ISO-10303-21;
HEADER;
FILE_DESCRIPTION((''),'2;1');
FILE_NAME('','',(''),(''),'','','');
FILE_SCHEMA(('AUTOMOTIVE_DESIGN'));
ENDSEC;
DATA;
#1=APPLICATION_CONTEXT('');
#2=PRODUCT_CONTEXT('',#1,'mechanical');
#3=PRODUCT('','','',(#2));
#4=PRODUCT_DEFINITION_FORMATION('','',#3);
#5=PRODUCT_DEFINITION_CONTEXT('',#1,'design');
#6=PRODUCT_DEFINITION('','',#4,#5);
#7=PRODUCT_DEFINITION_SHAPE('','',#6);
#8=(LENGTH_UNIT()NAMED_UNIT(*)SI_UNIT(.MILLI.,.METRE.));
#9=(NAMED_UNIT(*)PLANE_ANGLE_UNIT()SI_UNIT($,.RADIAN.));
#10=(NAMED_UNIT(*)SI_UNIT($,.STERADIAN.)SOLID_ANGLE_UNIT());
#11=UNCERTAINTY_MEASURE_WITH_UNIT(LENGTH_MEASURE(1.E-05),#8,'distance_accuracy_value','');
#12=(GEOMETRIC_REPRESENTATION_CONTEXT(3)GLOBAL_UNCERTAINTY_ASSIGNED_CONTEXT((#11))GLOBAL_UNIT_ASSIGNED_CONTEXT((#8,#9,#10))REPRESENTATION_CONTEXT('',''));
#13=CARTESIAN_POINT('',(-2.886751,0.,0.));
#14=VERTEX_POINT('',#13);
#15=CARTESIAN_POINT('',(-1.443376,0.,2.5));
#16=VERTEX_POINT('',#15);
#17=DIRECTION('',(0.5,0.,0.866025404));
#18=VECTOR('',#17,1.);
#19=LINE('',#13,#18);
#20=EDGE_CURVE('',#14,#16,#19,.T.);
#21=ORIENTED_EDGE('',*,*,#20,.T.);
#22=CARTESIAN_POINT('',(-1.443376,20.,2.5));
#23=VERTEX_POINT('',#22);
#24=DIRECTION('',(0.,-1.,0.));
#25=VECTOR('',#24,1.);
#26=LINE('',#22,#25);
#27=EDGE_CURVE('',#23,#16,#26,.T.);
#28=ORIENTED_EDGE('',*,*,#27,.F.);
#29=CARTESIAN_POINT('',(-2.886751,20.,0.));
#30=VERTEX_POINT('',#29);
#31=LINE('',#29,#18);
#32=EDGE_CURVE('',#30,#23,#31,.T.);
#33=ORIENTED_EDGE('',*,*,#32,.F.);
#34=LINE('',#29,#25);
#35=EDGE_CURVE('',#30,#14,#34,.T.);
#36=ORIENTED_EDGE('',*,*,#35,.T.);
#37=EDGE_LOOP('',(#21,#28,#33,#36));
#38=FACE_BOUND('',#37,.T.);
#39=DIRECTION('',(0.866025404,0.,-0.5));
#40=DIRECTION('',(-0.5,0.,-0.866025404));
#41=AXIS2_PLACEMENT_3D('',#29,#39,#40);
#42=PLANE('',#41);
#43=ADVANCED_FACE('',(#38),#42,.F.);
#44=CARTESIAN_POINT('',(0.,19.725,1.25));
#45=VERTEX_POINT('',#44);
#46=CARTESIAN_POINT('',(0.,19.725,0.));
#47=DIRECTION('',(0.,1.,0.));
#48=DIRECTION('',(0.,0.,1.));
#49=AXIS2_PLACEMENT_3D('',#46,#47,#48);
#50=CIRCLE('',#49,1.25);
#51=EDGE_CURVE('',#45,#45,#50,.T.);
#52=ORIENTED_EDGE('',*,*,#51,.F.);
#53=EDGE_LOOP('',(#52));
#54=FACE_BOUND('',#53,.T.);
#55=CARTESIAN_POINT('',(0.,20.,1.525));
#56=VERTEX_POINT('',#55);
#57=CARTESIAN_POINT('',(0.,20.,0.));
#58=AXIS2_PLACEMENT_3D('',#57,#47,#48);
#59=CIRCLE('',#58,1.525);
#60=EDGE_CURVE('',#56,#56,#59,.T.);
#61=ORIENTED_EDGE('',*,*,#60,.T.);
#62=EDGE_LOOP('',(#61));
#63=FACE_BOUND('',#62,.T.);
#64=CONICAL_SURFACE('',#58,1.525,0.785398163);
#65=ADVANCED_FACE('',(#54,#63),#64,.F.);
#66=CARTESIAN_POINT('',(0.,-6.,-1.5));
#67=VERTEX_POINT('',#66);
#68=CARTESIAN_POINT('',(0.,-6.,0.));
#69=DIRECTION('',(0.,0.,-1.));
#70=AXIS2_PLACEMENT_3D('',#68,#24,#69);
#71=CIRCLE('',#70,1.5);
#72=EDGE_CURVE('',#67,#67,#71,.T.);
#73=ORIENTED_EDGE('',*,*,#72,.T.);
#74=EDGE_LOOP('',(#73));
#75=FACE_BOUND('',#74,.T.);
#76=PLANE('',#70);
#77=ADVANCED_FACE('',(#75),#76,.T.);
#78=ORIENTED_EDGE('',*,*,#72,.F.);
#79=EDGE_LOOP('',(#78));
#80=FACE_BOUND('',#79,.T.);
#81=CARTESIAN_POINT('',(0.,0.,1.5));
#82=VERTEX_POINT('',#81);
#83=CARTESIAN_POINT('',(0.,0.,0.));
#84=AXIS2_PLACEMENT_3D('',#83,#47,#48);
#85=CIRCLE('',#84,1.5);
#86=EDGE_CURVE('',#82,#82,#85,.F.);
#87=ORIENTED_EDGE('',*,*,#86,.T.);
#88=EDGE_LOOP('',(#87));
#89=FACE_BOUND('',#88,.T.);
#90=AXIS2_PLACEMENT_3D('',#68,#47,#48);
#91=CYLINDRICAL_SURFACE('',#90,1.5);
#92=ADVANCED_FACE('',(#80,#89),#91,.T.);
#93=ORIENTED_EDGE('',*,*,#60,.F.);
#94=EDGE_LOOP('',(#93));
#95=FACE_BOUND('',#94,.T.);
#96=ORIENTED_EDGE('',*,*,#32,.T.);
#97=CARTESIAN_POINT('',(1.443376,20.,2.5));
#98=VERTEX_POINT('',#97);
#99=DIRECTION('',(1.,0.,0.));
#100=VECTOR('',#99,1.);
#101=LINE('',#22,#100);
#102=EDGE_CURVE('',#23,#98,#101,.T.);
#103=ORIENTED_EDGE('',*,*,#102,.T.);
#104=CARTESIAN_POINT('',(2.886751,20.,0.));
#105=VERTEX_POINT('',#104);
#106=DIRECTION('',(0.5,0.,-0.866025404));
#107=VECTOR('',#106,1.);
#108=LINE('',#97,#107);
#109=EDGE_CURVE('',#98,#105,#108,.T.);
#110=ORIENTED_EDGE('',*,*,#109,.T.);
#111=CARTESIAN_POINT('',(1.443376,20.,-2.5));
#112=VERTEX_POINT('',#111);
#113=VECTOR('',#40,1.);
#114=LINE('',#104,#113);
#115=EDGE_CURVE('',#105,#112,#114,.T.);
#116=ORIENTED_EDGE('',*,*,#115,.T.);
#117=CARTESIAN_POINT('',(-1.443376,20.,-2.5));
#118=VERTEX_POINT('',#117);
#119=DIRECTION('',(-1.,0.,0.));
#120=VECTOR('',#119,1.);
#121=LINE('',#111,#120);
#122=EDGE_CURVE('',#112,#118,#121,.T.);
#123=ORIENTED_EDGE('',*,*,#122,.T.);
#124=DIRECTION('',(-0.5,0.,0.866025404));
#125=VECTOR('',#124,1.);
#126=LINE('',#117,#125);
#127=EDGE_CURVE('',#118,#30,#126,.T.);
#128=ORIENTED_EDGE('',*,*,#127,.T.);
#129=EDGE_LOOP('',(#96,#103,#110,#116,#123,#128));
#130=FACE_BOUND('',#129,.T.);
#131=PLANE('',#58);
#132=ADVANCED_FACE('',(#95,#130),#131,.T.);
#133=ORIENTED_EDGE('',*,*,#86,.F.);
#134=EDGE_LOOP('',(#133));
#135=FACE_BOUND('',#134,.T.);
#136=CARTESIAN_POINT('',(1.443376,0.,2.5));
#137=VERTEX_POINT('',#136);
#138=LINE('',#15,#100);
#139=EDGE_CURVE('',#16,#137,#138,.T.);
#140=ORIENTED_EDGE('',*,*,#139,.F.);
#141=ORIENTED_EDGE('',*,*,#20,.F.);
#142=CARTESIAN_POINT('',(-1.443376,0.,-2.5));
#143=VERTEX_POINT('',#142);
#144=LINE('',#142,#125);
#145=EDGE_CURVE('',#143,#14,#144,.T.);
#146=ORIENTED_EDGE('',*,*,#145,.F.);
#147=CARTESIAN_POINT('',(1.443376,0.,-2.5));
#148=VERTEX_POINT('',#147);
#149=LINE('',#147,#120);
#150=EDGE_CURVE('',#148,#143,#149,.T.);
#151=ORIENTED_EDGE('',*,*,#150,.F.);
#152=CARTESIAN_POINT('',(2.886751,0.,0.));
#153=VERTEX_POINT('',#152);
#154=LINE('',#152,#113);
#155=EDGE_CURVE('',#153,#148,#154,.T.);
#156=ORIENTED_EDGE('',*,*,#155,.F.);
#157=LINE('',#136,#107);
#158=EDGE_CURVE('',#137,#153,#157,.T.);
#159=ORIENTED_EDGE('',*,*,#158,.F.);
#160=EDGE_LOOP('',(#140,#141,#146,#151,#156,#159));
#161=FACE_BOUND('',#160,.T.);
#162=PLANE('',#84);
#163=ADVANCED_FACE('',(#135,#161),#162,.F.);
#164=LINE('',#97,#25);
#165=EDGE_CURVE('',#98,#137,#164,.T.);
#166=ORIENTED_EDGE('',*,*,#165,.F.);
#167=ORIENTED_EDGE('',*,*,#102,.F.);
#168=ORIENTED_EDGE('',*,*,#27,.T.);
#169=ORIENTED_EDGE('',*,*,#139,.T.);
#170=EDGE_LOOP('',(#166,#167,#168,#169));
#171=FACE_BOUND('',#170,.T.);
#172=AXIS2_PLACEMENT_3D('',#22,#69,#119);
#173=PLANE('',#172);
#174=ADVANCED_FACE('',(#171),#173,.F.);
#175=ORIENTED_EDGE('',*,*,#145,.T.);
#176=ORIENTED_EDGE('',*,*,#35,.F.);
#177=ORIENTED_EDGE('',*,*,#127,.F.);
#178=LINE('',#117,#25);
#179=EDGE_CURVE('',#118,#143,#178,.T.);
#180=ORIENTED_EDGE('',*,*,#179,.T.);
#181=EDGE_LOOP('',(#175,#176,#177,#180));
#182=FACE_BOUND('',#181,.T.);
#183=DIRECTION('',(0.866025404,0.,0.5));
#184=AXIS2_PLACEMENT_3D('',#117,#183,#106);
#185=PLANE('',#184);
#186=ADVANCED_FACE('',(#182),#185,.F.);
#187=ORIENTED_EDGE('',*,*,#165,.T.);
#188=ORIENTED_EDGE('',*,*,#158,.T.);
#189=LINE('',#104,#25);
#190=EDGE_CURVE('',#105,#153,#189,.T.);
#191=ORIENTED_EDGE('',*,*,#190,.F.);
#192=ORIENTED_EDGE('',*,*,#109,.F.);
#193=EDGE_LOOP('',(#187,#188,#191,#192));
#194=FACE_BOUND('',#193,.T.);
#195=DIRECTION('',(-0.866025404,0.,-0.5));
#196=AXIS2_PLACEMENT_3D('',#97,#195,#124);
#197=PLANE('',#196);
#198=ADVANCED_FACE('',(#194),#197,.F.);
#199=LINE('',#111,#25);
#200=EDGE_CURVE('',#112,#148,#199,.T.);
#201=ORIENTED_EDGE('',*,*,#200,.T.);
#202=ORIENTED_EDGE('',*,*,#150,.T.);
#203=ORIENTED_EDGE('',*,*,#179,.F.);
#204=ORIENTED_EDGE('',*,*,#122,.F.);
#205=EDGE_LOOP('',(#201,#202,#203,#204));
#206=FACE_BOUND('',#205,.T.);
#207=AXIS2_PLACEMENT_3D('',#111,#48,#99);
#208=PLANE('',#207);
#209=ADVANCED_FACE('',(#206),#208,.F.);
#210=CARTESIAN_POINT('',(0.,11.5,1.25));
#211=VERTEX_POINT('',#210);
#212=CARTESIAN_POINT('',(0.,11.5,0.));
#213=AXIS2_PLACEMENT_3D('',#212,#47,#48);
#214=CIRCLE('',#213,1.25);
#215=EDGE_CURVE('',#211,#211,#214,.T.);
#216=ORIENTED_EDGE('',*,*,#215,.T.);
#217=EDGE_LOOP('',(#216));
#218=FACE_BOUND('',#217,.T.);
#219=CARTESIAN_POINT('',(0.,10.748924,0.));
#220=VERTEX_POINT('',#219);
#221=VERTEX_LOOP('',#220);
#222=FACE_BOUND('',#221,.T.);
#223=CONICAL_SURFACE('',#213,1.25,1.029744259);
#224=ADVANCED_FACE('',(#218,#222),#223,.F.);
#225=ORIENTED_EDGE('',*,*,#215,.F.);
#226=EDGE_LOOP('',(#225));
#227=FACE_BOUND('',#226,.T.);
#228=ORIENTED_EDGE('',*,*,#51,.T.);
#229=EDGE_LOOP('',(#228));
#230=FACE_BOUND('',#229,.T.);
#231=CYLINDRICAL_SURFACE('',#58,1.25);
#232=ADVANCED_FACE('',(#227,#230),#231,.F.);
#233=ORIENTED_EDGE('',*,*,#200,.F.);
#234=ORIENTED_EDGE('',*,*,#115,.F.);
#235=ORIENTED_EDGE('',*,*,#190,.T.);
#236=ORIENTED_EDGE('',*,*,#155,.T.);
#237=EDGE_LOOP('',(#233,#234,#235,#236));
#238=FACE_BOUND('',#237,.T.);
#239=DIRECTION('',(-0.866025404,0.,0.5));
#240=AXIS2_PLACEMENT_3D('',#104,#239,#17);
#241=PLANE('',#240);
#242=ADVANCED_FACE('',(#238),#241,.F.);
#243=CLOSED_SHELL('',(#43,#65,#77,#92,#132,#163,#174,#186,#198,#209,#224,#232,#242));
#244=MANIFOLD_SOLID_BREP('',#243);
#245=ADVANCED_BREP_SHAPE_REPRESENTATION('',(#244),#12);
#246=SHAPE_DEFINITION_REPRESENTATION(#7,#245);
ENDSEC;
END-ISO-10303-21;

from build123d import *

# Parameters (mm, degrees)
BOSS_EXTRUDE1_DEPTH             = 20
M3X0_5_TAPPED_HOLE1_D           = 2.5
M3X0_5_TAPPED_HOLE1_DEPTH       = 8.5
M3X0_5_TAPPED_HOLE1_CSINK_D     = 3.05
M3X0_5_TAPPED_HOLE1_CSINK_ANGLE = 90
M3X0_5_TAPPED_HOLE1_TIP         = 0.751075774
SKETCH4_R                       = 1.5
BOSS_EXTRUDE2_DEPTH             = 6


with BuildPart() as part:
    # Sketch1 → Boss-Extrude1 (new body)
    with BuildSketch(Plane(origin=(0, 0, 0), x_dir=(1, 0, 0), z_dir=(0, 1, 0))):
        Polygon((2.886751346, 0), (1.443375673, 2.5), (-1.443375673, 2.5), (-2.886751346, 0), (-1.443375673, -2.5), (1.443375673, -2.5), align=None)
    extrude(amount=BOSS_EXTRUDE1_DEPTH)

    # M3x0.5 Tapped Hole1
    with Locations(Plane(origin=(0, 20, 0), x_dir=(1, 0, 0), z_dir=(0, 1, 0))):
        with Locations((0, 0)):
            CounterSinkHole(M3X0_5_TAPPED_HOLE1_D / 2, M3X0_5_TAPPED_HOLE1_CSINK_D / 2, depth=M3X0_5_TAPPED_HOLE1_DEPTH, counter_sink_angle=M3X0_5_TAPPED_HOLE1_CSINK_ANGLE)
            with Locations((0, 0, -(M3X0_5_TAPPED_HOLE1_DEPTH + M3X0_5_TAPPED_HOLE1_TIP / 2))):  # 118° drill point
                Cone(0, M3X0_5_TAPPED_HOLE1_D / 2, M3X0_5_TAPPED_HOLE1_TIP, mode=Mode.SUBTRACT)

    # Sketch4 → Boss-Extrude2 (add)
    with BuildSketch(Plane.XZ):
        with Locations(Location((0, 0, 0), (0, 0, 90))):
            Circle(SKETCH4_R)
    extrude(amount=BOSS_EXTRUDE2_DEPTH)


solid = part.part
